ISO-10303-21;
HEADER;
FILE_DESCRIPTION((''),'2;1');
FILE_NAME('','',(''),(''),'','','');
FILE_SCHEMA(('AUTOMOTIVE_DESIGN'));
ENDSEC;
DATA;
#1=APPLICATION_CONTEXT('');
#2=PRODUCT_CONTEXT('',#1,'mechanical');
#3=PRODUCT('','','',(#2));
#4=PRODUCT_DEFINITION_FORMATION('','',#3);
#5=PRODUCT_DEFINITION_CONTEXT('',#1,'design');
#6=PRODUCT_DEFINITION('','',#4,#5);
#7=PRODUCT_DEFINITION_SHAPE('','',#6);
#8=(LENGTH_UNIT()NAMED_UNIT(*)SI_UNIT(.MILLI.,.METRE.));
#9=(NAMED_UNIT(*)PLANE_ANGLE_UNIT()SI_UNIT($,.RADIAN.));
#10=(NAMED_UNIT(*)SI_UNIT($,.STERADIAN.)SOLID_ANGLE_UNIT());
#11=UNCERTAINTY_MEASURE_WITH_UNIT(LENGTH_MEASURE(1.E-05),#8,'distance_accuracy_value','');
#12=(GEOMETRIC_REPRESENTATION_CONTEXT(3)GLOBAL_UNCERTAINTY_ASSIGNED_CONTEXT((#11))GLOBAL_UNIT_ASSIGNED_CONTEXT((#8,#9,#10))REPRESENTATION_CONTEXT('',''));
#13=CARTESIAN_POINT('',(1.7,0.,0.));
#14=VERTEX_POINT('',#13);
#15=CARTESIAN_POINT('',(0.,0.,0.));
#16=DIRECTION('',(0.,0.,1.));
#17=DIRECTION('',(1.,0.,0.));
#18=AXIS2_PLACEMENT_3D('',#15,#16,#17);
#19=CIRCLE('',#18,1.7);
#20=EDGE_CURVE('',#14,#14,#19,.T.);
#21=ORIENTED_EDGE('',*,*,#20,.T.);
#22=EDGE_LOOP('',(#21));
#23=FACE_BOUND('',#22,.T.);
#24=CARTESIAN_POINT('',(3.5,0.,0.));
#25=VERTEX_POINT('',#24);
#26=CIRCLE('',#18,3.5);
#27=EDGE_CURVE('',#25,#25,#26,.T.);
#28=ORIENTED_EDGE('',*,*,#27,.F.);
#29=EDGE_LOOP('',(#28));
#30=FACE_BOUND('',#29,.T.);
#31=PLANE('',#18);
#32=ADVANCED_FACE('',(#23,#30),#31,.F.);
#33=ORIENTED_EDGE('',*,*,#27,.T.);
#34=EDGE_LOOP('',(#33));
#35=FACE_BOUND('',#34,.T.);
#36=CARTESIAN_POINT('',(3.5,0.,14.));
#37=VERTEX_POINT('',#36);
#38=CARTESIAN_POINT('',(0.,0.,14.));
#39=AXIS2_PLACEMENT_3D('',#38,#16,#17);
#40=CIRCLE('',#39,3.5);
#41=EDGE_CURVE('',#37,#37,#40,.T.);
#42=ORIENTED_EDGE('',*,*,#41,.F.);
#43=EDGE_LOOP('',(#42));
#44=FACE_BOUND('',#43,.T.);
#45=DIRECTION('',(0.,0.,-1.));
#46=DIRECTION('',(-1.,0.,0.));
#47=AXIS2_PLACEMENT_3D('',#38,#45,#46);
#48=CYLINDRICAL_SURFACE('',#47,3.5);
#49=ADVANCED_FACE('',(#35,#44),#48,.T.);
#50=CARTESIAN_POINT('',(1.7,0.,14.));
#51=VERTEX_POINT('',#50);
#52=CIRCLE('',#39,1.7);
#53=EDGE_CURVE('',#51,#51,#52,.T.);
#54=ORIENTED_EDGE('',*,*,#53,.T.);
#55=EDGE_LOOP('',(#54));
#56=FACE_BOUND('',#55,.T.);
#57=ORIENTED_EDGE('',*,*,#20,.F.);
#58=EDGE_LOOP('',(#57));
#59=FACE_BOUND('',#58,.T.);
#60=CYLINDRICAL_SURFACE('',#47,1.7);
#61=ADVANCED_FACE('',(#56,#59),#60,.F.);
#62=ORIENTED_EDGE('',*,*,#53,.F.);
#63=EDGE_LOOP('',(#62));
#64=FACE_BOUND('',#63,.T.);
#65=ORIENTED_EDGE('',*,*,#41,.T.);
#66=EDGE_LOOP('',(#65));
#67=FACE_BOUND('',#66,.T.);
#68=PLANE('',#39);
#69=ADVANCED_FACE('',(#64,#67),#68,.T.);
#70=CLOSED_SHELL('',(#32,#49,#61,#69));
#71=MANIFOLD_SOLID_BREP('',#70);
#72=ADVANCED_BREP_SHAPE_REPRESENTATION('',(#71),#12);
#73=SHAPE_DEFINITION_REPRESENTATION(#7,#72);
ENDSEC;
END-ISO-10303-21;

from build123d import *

# Parameters (mm, degrees)
ESBO_O1_R                = 3.5
ESBO_O1_R_2              = 1.7
RESSALTO_EXTRUS_O1_DEPTH = 14


with BuildPart() as part:
    # Esboço1 → Ressalto-extrusão1 (new body)
    with BuildSketch(Plane.XY):
        Circle(ESBO_O1_R)
        Circle(ESBO_O1_R_2, mode=Mode.SUBTRACT)
    extrude(amount=RESSALTO_EXTRUS_O1_DEPTH)


solid = part.part
